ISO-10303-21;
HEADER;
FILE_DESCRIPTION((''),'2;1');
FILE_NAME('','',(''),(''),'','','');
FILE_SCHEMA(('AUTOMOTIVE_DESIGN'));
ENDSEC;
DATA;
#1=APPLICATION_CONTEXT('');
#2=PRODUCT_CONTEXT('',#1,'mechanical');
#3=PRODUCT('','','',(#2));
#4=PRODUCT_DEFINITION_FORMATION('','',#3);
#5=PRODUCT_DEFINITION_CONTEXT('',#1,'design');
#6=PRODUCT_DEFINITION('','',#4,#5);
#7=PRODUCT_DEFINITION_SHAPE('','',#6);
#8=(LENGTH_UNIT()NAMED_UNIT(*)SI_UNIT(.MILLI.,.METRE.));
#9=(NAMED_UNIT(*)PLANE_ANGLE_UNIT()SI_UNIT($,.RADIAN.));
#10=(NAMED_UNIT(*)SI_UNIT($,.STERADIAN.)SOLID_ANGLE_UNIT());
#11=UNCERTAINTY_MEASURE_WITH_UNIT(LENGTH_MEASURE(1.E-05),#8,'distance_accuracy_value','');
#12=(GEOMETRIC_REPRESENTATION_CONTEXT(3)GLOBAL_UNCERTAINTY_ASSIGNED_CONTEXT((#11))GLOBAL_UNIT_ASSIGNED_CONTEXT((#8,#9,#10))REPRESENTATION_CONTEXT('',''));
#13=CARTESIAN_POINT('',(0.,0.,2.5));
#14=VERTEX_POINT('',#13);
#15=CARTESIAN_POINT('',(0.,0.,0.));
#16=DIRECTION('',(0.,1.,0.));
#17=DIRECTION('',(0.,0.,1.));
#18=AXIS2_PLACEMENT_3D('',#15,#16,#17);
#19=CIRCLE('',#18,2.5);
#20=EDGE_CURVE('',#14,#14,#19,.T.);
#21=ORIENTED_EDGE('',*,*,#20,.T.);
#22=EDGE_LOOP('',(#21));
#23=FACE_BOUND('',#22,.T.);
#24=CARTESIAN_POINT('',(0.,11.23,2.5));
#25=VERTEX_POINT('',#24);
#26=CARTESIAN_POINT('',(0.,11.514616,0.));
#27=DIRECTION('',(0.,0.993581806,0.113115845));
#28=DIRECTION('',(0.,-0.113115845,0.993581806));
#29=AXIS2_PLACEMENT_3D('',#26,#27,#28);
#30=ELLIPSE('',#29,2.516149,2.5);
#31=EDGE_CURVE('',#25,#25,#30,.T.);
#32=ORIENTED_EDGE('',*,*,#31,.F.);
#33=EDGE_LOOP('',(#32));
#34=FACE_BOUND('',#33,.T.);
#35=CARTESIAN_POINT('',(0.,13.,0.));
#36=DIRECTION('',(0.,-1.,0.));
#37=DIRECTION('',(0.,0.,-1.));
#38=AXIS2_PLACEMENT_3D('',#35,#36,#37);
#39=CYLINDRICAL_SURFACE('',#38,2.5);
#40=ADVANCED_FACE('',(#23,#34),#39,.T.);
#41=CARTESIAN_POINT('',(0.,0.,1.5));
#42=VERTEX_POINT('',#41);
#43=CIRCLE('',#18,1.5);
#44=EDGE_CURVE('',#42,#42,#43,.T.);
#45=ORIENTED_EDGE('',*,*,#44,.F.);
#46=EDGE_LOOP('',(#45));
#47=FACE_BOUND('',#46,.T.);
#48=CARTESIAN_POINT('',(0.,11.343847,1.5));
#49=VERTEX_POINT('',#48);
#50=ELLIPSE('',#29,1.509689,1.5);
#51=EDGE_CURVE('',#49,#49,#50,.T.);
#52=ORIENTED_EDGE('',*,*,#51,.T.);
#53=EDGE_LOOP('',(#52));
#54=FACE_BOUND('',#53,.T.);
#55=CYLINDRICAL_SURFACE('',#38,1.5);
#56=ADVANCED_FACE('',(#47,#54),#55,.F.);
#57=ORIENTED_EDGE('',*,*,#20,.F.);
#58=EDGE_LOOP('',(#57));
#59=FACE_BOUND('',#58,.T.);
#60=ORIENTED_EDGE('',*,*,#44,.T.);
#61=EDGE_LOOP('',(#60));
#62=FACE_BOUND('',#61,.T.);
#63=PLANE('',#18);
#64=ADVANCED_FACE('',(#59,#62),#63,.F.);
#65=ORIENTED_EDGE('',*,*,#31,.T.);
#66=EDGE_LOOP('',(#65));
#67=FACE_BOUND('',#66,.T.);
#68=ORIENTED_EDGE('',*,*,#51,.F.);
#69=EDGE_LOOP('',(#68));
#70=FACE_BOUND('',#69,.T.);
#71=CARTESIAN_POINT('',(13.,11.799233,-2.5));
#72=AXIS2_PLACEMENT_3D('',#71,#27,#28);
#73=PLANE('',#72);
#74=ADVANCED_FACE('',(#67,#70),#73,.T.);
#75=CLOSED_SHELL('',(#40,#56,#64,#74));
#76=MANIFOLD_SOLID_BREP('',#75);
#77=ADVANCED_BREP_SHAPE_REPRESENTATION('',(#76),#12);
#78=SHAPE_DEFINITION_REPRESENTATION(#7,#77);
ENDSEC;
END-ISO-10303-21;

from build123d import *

# Parameters (mm, degrees)
SKETCH1_R               = 2.5
SKETCH1_R_2             = 1.5
BOSS_EXTRUDE1_DEPTH     = 13
CUT_EXTRUDE1_DEPTH      = 13
CUT_EXTRUDE1_DEPTH_BACK = 13


with BuildPart() as part:
    # Sketch1 → Boss-Extrude1 (new body)
    with BuildSketch(Plane(origin=(0, 0, 0), x_dir=(1, 0, 0), z_dir=(0, 1, 0))):
        Circle(SKETCH1_R)
        Circle(SKETCH1_R_2, mode=Mode.SUBTRACT)
    extrude(amount=BOSS_EXTRUDE1_DEPTH)

    # Sketch4 → Cut-Extrude1 (cut, two sides: drawn at the far end of the back side and taken through both)
    with BuildSketch(Plane(origin=(0, 0, 0), x_dir=(0, 0, -1), z_dir=(1, 0, 0)).offset(-CUT_EXTRUDE1_DEPTH_BACK)):
        Polygon((2.5, 11.79923267), (-2.5, 11.23), (-2.5, 13), (2.5, 13), align=None)
    extrude(amount=CUT_EXTRUDE1_DEPTH + CUT_EXTRUDE1_DEPTH_BACK, mode=Mode.SUBTRACT)


solid = part.part
